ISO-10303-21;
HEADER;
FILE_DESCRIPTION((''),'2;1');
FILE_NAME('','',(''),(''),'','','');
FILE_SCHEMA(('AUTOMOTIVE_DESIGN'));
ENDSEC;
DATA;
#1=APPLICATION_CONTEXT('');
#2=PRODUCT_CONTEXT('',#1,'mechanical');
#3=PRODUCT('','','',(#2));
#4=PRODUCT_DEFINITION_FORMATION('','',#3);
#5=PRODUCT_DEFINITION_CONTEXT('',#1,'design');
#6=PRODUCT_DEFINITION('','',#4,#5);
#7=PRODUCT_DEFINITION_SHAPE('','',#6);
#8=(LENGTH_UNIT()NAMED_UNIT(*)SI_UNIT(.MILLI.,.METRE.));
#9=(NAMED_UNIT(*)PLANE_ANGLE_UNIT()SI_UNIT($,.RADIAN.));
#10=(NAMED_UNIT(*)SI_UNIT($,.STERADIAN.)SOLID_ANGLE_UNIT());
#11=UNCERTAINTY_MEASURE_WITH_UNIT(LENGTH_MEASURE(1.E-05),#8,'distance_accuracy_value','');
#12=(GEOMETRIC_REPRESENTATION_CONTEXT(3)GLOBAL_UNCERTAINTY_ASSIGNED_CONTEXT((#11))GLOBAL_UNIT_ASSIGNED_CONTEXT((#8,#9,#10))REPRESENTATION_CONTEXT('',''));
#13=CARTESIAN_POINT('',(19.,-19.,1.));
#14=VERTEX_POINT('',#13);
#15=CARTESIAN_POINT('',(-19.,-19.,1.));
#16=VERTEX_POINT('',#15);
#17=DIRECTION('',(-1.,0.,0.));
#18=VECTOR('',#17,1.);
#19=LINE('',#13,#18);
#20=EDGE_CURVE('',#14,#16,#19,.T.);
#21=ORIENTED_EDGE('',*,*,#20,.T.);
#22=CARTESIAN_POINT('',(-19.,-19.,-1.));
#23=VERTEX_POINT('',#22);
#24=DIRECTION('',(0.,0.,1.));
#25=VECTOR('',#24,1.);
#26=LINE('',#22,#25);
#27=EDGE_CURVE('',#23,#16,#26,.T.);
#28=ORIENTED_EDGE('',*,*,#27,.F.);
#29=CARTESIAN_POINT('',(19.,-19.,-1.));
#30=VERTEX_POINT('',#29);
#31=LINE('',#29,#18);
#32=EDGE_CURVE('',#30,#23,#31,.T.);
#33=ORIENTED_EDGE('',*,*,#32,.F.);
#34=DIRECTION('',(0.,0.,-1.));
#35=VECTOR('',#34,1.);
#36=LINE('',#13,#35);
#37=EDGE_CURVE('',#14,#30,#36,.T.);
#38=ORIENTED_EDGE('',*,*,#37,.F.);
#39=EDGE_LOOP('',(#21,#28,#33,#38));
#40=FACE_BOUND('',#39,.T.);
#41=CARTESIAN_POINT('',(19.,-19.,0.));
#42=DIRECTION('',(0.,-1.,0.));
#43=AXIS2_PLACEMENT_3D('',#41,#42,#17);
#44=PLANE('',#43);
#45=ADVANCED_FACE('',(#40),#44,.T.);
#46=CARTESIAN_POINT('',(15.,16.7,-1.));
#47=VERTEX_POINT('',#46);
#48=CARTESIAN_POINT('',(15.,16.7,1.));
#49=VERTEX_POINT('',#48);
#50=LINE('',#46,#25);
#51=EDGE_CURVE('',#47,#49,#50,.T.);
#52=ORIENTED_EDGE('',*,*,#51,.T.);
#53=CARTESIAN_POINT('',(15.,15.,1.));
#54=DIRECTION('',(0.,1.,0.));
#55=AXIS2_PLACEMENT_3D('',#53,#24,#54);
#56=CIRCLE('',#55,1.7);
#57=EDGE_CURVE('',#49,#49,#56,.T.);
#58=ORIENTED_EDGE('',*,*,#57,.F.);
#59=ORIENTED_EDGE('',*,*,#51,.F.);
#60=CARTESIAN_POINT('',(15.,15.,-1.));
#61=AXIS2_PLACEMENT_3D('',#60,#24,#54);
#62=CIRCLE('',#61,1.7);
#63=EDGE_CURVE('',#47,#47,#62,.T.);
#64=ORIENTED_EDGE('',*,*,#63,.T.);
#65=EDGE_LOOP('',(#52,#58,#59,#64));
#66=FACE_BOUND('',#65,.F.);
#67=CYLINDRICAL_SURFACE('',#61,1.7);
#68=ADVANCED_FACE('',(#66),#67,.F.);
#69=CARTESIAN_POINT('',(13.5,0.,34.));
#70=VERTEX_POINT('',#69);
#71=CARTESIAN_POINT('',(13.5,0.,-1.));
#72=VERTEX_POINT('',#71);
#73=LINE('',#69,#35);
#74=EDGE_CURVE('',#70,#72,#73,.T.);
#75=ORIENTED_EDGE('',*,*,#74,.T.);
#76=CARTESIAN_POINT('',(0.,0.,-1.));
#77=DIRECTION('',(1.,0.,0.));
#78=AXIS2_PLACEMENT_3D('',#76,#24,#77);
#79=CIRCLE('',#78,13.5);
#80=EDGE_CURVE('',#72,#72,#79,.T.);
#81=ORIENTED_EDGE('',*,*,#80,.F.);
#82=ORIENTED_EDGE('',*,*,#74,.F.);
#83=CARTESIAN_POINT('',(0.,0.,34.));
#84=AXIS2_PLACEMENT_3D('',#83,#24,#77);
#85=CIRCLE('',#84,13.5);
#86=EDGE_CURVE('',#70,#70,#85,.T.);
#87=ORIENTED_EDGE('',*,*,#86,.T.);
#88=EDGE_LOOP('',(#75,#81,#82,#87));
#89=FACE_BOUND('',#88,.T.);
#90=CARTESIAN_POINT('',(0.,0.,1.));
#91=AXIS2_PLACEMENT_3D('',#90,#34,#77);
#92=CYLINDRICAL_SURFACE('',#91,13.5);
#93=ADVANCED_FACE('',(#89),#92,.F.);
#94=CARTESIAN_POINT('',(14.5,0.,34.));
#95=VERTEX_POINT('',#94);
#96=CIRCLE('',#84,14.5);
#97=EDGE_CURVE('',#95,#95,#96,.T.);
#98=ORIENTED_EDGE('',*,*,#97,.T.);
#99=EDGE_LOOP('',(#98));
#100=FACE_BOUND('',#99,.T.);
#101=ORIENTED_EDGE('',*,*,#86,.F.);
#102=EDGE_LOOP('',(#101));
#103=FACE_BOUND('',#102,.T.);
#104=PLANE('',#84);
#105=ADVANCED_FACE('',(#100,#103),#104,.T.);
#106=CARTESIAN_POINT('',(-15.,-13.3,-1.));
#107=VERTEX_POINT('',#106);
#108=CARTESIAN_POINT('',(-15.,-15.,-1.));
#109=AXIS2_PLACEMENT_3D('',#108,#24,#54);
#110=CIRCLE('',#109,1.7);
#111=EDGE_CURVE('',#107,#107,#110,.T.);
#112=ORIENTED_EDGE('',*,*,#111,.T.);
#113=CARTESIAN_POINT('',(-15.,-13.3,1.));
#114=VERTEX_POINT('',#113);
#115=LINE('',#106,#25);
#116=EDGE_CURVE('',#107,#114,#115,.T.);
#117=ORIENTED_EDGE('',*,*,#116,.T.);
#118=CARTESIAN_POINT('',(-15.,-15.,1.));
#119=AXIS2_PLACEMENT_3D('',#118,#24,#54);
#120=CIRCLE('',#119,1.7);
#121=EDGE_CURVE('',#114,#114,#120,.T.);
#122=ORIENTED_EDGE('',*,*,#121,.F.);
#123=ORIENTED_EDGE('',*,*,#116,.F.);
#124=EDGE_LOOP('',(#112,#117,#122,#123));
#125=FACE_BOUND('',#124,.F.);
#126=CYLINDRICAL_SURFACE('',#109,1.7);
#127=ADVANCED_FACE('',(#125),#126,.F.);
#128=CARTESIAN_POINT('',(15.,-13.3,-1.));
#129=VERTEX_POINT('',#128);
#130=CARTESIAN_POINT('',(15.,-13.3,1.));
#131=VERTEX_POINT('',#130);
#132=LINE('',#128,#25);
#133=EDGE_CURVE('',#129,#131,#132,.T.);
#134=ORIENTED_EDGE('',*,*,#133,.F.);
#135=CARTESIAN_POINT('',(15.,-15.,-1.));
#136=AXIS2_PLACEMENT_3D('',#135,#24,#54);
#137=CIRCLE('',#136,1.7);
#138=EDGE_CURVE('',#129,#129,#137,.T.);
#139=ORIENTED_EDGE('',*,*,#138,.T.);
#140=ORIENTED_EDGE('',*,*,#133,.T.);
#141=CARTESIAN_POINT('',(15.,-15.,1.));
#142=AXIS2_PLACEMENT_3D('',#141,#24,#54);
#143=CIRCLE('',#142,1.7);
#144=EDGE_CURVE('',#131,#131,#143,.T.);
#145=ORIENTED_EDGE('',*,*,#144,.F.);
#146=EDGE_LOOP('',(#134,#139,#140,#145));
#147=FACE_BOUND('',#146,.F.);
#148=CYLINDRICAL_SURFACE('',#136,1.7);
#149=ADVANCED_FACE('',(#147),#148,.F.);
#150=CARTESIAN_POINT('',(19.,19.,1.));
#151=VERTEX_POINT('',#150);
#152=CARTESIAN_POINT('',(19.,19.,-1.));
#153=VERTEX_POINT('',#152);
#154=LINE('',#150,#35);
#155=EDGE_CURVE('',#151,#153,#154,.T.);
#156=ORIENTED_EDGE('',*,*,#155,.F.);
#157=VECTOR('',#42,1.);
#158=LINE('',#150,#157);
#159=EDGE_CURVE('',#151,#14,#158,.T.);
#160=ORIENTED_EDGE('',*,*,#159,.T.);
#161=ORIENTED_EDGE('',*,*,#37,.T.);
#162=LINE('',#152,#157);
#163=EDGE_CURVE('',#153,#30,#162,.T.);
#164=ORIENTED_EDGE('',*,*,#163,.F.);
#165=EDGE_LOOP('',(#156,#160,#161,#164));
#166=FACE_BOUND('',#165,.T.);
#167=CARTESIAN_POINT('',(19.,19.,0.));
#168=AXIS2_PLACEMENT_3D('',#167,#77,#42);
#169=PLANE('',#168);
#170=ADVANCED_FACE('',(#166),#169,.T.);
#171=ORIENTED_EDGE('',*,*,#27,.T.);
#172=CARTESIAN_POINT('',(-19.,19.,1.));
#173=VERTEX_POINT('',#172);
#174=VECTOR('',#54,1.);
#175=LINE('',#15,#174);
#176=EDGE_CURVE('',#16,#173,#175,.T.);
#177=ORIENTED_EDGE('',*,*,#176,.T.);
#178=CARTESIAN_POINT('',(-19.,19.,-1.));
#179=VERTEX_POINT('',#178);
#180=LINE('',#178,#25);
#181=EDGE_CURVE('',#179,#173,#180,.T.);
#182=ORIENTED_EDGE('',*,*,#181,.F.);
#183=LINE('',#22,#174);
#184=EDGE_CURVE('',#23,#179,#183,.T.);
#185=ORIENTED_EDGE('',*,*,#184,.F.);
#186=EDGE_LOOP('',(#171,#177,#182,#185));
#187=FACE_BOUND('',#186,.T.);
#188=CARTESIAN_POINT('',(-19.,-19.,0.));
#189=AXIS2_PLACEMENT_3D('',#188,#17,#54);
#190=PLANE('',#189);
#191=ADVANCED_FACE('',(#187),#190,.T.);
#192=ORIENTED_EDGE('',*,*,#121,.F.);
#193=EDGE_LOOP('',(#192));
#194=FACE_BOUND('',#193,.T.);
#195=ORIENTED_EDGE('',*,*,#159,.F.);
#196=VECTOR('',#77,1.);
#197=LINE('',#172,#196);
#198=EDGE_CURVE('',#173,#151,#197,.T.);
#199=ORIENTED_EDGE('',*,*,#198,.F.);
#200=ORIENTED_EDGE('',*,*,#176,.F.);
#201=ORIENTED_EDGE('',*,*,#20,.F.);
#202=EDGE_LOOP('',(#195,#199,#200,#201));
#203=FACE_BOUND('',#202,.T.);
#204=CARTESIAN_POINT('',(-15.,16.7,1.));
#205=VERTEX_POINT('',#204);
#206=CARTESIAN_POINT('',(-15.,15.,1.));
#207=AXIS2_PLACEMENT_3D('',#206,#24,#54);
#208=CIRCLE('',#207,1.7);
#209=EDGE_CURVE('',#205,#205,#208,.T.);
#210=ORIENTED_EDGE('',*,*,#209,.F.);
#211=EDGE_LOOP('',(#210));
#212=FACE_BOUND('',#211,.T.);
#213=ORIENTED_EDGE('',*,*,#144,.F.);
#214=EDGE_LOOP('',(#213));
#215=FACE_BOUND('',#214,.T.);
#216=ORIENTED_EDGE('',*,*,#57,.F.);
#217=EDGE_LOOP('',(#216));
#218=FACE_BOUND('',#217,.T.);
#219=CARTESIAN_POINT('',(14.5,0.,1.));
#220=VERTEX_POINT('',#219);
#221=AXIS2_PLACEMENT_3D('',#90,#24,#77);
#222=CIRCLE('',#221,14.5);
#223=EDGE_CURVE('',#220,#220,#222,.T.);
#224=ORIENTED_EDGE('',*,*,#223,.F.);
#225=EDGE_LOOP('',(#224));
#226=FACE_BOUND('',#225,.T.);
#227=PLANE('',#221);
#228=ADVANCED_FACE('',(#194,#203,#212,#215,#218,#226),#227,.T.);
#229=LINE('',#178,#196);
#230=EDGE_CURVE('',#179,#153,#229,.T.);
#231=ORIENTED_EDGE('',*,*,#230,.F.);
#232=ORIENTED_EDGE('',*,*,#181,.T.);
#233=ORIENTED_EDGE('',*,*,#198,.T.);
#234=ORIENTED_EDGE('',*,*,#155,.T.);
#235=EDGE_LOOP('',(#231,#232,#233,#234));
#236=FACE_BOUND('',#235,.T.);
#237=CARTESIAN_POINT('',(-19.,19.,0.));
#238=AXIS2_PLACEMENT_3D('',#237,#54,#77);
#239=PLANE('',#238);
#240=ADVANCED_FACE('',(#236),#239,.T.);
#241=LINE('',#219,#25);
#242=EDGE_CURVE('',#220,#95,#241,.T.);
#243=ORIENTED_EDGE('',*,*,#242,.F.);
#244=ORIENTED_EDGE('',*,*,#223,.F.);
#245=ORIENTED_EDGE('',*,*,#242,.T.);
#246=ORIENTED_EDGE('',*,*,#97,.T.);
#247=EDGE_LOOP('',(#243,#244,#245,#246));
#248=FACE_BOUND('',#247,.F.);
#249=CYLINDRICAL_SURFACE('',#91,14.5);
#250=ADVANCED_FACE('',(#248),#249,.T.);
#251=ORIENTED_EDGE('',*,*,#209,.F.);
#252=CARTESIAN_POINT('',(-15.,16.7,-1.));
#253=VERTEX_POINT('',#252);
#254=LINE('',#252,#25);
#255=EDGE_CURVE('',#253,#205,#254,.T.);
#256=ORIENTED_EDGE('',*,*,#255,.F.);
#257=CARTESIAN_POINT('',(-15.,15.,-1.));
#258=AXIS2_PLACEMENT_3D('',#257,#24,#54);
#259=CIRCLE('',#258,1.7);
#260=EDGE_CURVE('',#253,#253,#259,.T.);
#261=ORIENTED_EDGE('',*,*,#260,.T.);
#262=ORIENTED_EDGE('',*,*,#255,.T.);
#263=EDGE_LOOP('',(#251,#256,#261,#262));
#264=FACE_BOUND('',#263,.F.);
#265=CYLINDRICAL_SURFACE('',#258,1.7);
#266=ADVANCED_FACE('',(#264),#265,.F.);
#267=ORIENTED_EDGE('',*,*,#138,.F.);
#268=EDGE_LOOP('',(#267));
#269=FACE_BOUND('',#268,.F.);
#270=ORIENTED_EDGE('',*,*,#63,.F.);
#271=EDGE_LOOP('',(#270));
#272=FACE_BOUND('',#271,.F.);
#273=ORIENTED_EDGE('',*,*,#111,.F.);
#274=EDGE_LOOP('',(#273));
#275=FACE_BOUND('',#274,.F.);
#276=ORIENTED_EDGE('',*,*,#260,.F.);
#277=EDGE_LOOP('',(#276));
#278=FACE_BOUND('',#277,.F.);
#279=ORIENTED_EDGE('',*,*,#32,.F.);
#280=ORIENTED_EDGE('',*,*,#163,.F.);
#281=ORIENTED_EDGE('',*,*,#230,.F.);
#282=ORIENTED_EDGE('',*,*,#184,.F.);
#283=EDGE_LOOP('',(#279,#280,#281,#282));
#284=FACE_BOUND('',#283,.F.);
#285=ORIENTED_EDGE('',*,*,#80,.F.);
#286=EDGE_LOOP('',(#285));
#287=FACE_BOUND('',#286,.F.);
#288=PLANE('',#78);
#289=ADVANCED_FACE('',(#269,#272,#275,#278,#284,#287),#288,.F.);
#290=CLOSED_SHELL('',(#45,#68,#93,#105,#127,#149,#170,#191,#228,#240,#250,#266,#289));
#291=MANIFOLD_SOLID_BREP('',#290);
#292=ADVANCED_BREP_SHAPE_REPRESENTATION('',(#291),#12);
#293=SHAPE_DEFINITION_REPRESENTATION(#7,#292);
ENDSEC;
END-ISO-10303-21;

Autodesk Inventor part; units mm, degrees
ref_plane "YZ Plane" through (0, 0, 0) normal (1, 0, 0) x (0, 1, 0)
ref_plane "XZ Plane" through (0, 0, 0) normal (0, 1, 0) x (-1, 0, 0)
ref_plane "XY Plane" through (0, 0, 0) normal (0, 0, 1) x (1, 0, 0)
sketch "Sketch1" plane through (0, 0, 0) normal (0, 0, 1) x (1, 0, 0)
  line L0 (-19, 19) -> (19, 19)
  line L1 (19, 19) -> (19, -19)
  line L2 (19, -19) -> (-19, -19)
  line L3 (-19, -19) -> (-19, 19)
  line L4 (-19, 19) -> (19, -19) construction
  line L5 (19, 19) -> (-19, -19) construction
  line L6 (-11, 11) -> (11, -11) construction
  line L7 (11, 11) -> (-11, -11) construction
  circle A0 centre (0, 0) radius 13.5
  dimension "d0" = 38
  dimension "d1" = 38
  dimension "d2" = 22
  dimension "d3" = 22
  dimension "d30" = 27
extrude "Extrusion1" add sketch "Sketch1" along normal mid plane 2
sketch "Sketch2" plane through (0, 0, 1) normal (0, 0, 1) x (1, 0, 0)
  line L0 (-13, 13) -> (13, -13) construction
  line L1 (13, 13) -> (-13, -13) construction
  line L2 (-11.5, -11.5) -> (11.5, 11.5) construction
  line L3 (11.5, -11.5) -> (-11.5, 11.5) construction
  circle A0 centre (0, 0) radius 13.5
  circle A1 centre (0, 0) radius 14.5
  dimension "d6" = 26
  dimension "d7" = 26
  dimension "d8" = 23
  dimension "d28" = 27
  dimension "d29" = 29
extrude "Extrusion2" add sketch "Sketch2" along normal blind 33
sketch "Sketch3" plane through (0, 0, -1) normal (0, 0, -1) x (-1, 0, 0)
  line L0 (19, 19) -> (19, -19) projected
  line L1 (19, -19) -> (-19, -19) projected
  line L2 (-19, -19) -> (-19, 19) projected
  line L3 (-19, 19) -> (19, 19) projected
  circle A0 centre (0, 0) radius 13.5 projected
  point P0 (15, -15)
  point P1 (-15, -15)
  point P2 (15, 15)
  point P3 (-15, 15)
  dimension "d11" = 15
  dimension "d12" = 15
  dimension "d15" = 30
  dimension "d18" = 30
hole "Hole1" at (-15, -15, -1) at (15, -15, -1) at (-15, 15, -1) at (15, 15, -1) direction (0, 0, 1) diameter 3.4 end through all clearance for "Flat Head Machine Screw" size "M3" standard "Ansi Metric M Profile"
equation "\"d1\" = d0"
equation "\"d3\" = d2"
equation "\"d7\" = d6"
properties part number "tube"
